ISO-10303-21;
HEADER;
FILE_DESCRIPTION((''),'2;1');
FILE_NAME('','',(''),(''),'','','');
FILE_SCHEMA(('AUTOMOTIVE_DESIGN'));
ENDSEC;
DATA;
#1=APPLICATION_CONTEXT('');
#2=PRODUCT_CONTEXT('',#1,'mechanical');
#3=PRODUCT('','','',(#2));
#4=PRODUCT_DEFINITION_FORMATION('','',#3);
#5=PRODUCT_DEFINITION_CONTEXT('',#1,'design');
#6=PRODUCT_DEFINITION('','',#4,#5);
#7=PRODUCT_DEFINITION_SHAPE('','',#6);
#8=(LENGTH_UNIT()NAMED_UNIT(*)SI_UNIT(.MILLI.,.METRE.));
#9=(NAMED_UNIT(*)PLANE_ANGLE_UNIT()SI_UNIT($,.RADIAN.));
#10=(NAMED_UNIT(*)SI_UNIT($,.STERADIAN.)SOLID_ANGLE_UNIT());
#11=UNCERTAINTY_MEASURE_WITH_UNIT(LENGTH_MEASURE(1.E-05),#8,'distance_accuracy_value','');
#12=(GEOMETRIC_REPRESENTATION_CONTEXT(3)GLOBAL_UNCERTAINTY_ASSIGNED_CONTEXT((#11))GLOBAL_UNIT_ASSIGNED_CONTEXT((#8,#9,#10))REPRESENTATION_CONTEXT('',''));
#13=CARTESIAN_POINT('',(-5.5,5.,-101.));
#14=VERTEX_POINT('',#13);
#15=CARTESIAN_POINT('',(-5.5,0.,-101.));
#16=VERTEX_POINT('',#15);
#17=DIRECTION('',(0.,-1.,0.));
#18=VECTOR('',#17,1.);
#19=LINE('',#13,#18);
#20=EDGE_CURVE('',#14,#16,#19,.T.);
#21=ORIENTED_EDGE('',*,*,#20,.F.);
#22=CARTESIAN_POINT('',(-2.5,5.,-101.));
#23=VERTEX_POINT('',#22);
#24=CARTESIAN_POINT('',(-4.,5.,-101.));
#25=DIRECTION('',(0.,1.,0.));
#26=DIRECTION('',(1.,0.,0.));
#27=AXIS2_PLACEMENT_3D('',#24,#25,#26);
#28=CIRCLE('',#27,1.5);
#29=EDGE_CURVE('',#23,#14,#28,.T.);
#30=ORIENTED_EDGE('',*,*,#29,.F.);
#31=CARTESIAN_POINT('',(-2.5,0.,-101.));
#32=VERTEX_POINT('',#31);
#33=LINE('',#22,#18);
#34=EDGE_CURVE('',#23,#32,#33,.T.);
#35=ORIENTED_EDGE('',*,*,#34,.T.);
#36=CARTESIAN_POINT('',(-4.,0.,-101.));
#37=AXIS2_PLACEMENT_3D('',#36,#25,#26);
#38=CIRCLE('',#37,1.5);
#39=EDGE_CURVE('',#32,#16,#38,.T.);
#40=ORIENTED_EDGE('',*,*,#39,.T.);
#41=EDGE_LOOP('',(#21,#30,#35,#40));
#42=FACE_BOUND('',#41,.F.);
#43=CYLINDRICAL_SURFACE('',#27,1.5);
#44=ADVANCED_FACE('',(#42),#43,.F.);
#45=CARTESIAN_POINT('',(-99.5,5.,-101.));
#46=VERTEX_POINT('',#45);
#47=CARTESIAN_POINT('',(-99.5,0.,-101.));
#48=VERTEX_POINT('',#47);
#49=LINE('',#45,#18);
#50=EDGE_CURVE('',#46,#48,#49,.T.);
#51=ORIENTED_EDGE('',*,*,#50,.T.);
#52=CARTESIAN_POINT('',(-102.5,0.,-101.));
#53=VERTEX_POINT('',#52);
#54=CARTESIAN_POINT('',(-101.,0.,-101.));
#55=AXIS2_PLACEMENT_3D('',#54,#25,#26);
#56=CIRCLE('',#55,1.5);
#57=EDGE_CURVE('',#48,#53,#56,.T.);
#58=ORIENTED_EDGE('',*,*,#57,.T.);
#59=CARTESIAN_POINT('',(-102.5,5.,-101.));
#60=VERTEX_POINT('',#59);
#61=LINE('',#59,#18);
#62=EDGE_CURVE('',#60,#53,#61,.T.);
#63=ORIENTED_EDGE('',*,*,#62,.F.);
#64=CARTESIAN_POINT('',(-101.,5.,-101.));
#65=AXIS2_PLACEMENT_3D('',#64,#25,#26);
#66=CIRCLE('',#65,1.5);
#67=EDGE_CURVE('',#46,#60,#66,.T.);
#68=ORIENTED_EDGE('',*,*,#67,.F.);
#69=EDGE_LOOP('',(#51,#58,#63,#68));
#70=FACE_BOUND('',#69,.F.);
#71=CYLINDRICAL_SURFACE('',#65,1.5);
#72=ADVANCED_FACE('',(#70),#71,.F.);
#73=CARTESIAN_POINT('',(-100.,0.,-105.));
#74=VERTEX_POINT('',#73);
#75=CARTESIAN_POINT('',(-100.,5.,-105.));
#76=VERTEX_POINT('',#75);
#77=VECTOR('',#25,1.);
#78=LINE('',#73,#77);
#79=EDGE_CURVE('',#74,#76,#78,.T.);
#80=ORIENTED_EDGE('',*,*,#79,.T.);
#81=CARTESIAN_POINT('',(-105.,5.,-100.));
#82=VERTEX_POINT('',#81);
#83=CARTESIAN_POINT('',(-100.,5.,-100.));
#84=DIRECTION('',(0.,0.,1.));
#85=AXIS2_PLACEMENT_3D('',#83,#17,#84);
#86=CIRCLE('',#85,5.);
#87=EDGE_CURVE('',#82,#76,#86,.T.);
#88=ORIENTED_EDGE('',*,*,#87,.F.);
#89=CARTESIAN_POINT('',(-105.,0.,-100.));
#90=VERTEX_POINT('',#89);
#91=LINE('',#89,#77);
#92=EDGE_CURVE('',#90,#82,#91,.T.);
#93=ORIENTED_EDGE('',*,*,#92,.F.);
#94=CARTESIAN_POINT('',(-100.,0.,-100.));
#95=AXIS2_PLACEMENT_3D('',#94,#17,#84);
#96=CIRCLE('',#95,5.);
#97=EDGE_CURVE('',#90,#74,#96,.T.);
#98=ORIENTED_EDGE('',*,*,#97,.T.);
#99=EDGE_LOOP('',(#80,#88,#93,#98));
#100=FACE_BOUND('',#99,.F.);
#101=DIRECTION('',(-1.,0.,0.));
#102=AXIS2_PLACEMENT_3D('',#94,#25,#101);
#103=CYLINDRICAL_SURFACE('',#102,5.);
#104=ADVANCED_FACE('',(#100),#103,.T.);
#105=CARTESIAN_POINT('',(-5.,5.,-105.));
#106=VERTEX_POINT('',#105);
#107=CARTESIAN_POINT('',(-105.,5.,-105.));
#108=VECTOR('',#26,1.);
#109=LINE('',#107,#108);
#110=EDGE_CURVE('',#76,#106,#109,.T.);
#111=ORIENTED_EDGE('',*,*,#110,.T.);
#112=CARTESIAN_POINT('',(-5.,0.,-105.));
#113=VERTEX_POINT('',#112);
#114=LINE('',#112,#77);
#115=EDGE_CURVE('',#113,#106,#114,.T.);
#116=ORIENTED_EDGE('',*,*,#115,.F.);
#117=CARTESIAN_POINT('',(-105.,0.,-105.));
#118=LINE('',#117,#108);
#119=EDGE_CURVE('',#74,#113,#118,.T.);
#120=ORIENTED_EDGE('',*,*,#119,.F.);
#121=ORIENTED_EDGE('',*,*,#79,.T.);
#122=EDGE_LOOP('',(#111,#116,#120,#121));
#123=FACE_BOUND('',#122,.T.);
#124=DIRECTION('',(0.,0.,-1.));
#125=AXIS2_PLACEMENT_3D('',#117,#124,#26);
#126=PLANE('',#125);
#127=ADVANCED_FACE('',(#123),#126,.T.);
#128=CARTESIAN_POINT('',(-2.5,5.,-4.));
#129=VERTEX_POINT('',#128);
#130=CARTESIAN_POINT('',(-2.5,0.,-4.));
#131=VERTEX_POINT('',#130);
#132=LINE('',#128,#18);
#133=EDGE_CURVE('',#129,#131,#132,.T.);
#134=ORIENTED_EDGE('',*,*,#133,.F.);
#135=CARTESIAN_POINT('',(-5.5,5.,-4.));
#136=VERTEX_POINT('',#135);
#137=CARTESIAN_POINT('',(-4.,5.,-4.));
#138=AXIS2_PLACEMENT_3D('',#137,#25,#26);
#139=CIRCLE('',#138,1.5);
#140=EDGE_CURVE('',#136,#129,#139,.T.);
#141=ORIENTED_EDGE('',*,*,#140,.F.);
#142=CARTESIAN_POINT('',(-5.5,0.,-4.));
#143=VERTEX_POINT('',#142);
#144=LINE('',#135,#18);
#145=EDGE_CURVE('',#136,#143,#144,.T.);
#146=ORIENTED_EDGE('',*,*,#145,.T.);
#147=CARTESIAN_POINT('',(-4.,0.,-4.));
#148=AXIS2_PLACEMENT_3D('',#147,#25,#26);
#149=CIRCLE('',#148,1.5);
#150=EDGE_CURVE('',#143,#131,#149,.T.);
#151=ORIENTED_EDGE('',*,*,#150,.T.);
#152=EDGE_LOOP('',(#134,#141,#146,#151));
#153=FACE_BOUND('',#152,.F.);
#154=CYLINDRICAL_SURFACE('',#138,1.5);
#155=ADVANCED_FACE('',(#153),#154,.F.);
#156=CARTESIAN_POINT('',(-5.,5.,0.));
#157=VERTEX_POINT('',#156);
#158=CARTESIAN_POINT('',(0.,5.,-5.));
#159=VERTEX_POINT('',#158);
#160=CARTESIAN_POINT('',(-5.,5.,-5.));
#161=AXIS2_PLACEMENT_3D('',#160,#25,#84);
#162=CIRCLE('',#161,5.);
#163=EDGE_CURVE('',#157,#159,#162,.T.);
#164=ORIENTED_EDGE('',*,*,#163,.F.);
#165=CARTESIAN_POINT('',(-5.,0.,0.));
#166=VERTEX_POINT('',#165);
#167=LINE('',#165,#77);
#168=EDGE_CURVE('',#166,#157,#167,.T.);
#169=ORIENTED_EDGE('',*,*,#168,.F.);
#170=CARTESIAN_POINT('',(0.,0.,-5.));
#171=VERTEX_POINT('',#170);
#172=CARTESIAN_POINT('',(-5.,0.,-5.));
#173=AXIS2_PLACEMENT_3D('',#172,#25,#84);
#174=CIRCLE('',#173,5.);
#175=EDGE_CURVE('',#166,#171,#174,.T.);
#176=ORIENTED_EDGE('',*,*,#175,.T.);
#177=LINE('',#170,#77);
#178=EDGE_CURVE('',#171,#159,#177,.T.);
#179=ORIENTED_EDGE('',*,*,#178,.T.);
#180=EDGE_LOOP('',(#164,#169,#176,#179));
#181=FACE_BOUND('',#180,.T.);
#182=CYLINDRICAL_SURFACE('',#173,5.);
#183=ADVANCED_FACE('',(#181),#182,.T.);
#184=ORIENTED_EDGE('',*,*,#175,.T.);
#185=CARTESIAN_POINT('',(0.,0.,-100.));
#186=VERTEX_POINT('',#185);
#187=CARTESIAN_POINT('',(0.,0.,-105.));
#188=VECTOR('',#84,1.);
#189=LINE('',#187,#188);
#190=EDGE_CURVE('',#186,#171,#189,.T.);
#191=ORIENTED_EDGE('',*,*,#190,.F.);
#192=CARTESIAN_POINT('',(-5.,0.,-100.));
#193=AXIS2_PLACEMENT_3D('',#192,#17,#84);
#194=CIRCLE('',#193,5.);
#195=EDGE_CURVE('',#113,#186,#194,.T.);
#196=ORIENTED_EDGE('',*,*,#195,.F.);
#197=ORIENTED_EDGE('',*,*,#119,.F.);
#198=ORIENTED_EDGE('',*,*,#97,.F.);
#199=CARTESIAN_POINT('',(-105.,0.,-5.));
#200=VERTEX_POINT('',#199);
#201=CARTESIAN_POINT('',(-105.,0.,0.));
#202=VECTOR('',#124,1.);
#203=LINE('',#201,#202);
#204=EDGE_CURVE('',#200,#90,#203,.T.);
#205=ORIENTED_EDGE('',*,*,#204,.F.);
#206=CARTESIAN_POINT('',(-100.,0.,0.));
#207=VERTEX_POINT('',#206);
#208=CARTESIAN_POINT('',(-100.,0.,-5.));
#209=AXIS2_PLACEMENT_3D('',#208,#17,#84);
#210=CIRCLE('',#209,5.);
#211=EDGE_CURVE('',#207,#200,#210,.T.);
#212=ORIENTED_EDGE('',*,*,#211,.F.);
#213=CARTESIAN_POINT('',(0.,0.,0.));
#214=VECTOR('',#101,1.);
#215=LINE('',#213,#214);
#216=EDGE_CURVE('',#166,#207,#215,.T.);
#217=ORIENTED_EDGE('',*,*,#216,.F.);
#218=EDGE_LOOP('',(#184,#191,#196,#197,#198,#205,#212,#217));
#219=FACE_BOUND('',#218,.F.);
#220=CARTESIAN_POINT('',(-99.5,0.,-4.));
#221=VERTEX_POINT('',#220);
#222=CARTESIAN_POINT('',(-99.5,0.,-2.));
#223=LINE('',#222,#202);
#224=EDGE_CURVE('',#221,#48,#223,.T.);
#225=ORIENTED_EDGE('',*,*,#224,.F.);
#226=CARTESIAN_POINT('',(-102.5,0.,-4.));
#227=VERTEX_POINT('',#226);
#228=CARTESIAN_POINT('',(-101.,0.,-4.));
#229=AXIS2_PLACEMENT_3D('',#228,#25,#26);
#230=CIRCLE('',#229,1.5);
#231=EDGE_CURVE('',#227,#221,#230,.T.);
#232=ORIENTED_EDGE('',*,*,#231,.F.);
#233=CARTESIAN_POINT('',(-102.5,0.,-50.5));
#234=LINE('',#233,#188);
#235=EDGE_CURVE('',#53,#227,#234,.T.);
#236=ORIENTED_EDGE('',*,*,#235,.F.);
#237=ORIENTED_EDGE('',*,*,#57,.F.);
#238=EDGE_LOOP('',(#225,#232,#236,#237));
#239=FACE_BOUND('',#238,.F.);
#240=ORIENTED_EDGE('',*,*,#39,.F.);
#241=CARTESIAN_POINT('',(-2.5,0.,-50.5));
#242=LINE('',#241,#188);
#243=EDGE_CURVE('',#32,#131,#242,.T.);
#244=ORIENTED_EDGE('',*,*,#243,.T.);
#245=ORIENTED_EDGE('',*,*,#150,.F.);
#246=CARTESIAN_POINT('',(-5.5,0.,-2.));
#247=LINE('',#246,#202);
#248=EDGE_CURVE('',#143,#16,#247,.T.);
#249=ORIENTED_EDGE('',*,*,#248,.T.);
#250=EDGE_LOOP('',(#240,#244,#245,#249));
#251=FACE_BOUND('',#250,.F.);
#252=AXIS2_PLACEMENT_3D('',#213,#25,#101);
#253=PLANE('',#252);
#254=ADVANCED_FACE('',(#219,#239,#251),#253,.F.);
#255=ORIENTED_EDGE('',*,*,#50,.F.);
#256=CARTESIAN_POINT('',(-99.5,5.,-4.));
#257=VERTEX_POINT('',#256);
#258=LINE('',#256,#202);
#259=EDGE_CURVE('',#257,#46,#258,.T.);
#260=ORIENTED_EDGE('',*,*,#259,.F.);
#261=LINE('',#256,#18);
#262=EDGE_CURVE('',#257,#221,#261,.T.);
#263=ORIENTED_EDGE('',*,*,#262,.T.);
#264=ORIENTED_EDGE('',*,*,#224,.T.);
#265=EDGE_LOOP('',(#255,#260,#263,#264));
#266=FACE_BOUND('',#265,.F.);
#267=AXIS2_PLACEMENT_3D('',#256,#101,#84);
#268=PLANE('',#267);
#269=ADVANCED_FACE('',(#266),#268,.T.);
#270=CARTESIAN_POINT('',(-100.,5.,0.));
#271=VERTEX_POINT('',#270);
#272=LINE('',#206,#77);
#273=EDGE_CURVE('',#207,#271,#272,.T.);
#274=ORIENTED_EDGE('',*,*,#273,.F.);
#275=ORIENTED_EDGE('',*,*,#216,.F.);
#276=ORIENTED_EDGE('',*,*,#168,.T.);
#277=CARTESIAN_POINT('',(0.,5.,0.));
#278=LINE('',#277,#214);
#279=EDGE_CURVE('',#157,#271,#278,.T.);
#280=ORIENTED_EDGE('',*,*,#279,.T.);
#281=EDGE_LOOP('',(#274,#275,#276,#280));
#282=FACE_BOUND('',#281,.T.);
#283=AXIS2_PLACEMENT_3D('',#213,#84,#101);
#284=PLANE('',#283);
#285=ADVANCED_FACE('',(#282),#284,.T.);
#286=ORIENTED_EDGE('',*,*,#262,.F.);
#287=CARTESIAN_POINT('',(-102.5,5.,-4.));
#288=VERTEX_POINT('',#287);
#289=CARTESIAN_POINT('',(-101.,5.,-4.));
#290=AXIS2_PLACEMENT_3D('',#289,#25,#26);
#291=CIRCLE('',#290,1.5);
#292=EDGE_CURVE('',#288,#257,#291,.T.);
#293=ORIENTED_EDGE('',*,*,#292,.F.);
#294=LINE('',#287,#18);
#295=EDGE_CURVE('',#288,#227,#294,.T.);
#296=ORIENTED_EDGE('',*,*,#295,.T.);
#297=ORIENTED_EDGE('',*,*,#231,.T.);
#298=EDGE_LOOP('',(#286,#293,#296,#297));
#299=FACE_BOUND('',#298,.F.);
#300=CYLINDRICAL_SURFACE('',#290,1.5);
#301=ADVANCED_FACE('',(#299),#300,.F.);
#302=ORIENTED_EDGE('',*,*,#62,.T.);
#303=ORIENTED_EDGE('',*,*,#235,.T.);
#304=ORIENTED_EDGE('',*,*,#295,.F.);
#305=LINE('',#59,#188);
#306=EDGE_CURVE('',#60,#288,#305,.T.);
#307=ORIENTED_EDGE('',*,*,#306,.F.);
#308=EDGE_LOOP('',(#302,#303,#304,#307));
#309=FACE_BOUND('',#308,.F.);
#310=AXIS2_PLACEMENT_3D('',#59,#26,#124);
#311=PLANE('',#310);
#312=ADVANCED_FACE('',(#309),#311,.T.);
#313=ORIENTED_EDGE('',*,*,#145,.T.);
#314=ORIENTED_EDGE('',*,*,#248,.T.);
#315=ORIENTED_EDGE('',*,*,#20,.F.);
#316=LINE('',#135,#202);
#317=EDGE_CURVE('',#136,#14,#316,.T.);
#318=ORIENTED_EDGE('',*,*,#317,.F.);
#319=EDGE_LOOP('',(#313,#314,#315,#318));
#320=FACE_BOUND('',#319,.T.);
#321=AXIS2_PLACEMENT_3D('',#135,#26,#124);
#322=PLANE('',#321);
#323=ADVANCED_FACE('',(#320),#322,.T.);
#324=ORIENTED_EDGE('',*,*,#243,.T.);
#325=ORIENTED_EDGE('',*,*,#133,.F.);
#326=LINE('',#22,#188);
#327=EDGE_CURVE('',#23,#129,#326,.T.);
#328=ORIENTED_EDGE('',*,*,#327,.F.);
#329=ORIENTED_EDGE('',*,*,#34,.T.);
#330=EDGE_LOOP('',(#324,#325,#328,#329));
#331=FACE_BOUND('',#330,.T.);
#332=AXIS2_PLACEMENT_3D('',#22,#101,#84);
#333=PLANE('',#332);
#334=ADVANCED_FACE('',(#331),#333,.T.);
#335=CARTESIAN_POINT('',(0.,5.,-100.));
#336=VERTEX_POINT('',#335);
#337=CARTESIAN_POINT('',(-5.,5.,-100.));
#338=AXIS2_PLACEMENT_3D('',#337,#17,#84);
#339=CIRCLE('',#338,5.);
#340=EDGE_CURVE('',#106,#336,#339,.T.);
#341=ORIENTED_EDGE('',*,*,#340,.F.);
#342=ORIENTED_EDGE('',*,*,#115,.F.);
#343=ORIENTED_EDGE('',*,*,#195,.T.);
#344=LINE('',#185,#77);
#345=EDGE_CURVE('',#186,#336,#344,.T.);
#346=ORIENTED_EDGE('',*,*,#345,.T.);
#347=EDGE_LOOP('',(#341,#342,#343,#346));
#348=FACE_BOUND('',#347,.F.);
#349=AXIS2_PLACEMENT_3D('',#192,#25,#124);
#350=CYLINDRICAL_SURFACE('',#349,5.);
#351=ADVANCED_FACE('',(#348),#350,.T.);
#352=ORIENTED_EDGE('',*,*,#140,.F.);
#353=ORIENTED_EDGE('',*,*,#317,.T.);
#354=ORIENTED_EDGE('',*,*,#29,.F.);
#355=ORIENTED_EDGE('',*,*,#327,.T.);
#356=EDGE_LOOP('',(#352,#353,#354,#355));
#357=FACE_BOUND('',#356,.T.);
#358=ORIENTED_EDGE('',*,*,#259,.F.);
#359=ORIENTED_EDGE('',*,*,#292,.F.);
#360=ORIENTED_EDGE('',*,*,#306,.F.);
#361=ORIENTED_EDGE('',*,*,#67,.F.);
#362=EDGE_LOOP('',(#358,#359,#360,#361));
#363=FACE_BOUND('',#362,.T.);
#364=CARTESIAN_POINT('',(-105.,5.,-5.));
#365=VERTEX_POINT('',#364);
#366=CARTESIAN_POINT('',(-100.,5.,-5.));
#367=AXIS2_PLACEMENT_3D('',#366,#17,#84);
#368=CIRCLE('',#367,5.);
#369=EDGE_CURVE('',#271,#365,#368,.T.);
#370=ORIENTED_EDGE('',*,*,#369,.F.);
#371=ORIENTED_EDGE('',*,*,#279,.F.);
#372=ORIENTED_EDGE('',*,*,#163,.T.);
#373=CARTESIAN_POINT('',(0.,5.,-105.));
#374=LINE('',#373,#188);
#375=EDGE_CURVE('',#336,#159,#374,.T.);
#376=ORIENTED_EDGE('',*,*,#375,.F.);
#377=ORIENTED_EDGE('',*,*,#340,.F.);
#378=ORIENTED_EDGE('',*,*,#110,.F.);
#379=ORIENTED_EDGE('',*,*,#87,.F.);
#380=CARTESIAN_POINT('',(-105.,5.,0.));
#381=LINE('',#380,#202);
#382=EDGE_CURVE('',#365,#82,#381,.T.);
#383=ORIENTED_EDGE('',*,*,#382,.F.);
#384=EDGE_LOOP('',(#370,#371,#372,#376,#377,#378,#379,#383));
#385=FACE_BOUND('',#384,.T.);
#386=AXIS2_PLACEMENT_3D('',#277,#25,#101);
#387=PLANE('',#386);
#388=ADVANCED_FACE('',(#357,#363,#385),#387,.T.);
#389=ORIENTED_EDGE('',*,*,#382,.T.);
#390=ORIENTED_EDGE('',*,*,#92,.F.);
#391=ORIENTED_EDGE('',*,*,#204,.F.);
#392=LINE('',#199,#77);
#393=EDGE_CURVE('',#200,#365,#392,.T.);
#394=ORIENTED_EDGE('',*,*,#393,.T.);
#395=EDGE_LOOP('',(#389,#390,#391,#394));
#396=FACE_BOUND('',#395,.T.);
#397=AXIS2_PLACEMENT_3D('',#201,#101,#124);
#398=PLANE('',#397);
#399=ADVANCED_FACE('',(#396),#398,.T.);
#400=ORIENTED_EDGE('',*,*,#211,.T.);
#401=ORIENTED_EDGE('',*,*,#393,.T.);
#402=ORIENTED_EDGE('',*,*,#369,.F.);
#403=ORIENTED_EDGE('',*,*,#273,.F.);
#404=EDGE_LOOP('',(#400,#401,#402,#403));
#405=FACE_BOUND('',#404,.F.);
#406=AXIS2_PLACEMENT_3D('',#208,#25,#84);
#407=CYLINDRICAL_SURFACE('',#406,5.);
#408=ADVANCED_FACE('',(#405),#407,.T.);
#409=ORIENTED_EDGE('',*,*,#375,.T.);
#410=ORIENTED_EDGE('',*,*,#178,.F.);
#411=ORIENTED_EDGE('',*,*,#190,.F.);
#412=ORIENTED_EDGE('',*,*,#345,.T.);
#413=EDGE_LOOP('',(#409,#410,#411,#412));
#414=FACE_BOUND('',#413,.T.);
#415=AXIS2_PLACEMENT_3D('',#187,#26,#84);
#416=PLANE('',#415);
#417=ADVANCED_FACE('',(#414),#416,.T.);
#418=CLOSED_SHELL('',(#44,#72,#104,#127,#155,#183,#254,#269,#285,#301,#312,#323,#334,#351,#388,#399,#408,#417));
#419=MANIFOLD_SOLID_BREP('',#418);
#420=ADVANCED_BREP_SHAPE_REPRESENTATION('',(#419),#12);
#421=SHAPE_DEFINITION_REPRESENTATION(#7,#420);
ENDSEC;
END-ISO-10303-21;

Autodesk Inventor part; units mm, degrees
ref_plane "YZ Plane" through (0, 0, 0) normal (1, 0, 0) x (0, 1, 0)
ref_plane "XZ Plane" through (0, 0, 0) normal (0, 1, 0) x (-1, 0, 0)
sketch "Sketch1" plane through (0, 0, 0) normal (0, 1, 0) x (-1, 0, 0)
  line L0 (0, 0) -> (105, 0)
  line L1 (105, 0) -> (105, -105)
  line L2 (105, -105) -> (0, -105)
  line L3 (0, -105) -> (0, 0)
  dimension "d0" = 105
  dimension "d1" = 105
extrude "Extrusion1" add sketch "Sketch1" along normal blind 5
fillet "Fillet1" radius 5 4 edges at (-105, 2.5, -105) (0, 2.5, 0) (0, 2.5, -105) (-105, 2.5, 0)
sketch "Sketch3" plane through (0, 5, 0) normal (0, 1, 0) x (1, 0, 0)
  line L0 (-102.5, 102.5) -> (-2.5, 102.5) construction
  line L1 (-2.5, 102.5) -> (-2.5, 2.5) construction
  line L2 (-2.5, 2.5) -> (-102.5, 2.5) construction
  line L3 (-102.5, 2.5) -> (-102.5, 102.5) construction
  line L4 (0, 5) -> (0, 100) projected
  line L5 (-5, 105) -> (-100, 105) projected
  line L6 (-105, 100) -> (-105, 5) projected
  line L7 (-100, 0) -> (-5, 0) projected
  point P0 (0, 0)
  dimension "d11" = 2.5
  dimension "d12" = 2.5
  dimension "d13" = 2.5
  dimension "d14" = 2.5
sketch "Sketch4" plane through (0, 5, 0) normal (0, 1, 0) x (1, 0, 0)
  line L0 (-101, 101) -> (-4, 101) construction
  line L1 (-4, 101) -> (-4, 4) construction
  line L2 (-4, 4) -> (-101, 4) construction
  line L3 (-101, 4) -> (-101, 101) construction
  line L4 (0, 5) -> (0, 100) projected
  line L5 (-105, 100) -> (-105, 5) projected
  line L6 (-100, 0) -> (-5, 0) projected
  line L7 (-5, 105) -> (-100, 105) projected
  circle A0 centre (-101, 101) radius 1.5
  circle A1 centre (-4, 101) radius 1.5
  circle A2 centre (-4, 4) radius 1.5
  circle A3 centre (-101, 4) radius 1.5
  point P0 (0, 0)
  dimension "d15" = 4
  dimension "d16" = 4
  dimension "d17" = 4
  dimension "d18" = 4
  dimension "d19" = 3
  dimension "d20" = 3
  dimension "d21" = 3
  dimension "d22" = 3
extrude "Extrusion3" cut sketch "Sketch4" against normal blind 10
sketch "Sketch5" plane through (0, 5, 0) normal (0, 1, 0) x (1, 0, 0)
  circle A0 centre (-4, 4) radius 1.5 projected
  line L0 (-5.5, 4) -> (-5.5, 101)
  circle A1 centre (-4, 101) radius 1.5 projected
  line L1 (-2.5, 101) -> (-2.5, 4)
  circle A2 centre (-101, 4) radius 1.5 projected
  circle A3 centre (-101, 101) radius 1.5 projected
  point P0 (0, 0)
extrude "Extrusion4" cut sketch "Sketch5" against normal blind 10 contours A0 | A0 L0 A1 L1 | A1
ref_plane "Work Plane1" through (-52.5, 0, -5) normal (1, 0, 0) x (0, 0, -1)
mirror "Mirror1" about plane through (-52.5, 0, -5) normal (1, 0, 0) of "Extrusion4"
properties part number "Adult fly trap top and bottom"
